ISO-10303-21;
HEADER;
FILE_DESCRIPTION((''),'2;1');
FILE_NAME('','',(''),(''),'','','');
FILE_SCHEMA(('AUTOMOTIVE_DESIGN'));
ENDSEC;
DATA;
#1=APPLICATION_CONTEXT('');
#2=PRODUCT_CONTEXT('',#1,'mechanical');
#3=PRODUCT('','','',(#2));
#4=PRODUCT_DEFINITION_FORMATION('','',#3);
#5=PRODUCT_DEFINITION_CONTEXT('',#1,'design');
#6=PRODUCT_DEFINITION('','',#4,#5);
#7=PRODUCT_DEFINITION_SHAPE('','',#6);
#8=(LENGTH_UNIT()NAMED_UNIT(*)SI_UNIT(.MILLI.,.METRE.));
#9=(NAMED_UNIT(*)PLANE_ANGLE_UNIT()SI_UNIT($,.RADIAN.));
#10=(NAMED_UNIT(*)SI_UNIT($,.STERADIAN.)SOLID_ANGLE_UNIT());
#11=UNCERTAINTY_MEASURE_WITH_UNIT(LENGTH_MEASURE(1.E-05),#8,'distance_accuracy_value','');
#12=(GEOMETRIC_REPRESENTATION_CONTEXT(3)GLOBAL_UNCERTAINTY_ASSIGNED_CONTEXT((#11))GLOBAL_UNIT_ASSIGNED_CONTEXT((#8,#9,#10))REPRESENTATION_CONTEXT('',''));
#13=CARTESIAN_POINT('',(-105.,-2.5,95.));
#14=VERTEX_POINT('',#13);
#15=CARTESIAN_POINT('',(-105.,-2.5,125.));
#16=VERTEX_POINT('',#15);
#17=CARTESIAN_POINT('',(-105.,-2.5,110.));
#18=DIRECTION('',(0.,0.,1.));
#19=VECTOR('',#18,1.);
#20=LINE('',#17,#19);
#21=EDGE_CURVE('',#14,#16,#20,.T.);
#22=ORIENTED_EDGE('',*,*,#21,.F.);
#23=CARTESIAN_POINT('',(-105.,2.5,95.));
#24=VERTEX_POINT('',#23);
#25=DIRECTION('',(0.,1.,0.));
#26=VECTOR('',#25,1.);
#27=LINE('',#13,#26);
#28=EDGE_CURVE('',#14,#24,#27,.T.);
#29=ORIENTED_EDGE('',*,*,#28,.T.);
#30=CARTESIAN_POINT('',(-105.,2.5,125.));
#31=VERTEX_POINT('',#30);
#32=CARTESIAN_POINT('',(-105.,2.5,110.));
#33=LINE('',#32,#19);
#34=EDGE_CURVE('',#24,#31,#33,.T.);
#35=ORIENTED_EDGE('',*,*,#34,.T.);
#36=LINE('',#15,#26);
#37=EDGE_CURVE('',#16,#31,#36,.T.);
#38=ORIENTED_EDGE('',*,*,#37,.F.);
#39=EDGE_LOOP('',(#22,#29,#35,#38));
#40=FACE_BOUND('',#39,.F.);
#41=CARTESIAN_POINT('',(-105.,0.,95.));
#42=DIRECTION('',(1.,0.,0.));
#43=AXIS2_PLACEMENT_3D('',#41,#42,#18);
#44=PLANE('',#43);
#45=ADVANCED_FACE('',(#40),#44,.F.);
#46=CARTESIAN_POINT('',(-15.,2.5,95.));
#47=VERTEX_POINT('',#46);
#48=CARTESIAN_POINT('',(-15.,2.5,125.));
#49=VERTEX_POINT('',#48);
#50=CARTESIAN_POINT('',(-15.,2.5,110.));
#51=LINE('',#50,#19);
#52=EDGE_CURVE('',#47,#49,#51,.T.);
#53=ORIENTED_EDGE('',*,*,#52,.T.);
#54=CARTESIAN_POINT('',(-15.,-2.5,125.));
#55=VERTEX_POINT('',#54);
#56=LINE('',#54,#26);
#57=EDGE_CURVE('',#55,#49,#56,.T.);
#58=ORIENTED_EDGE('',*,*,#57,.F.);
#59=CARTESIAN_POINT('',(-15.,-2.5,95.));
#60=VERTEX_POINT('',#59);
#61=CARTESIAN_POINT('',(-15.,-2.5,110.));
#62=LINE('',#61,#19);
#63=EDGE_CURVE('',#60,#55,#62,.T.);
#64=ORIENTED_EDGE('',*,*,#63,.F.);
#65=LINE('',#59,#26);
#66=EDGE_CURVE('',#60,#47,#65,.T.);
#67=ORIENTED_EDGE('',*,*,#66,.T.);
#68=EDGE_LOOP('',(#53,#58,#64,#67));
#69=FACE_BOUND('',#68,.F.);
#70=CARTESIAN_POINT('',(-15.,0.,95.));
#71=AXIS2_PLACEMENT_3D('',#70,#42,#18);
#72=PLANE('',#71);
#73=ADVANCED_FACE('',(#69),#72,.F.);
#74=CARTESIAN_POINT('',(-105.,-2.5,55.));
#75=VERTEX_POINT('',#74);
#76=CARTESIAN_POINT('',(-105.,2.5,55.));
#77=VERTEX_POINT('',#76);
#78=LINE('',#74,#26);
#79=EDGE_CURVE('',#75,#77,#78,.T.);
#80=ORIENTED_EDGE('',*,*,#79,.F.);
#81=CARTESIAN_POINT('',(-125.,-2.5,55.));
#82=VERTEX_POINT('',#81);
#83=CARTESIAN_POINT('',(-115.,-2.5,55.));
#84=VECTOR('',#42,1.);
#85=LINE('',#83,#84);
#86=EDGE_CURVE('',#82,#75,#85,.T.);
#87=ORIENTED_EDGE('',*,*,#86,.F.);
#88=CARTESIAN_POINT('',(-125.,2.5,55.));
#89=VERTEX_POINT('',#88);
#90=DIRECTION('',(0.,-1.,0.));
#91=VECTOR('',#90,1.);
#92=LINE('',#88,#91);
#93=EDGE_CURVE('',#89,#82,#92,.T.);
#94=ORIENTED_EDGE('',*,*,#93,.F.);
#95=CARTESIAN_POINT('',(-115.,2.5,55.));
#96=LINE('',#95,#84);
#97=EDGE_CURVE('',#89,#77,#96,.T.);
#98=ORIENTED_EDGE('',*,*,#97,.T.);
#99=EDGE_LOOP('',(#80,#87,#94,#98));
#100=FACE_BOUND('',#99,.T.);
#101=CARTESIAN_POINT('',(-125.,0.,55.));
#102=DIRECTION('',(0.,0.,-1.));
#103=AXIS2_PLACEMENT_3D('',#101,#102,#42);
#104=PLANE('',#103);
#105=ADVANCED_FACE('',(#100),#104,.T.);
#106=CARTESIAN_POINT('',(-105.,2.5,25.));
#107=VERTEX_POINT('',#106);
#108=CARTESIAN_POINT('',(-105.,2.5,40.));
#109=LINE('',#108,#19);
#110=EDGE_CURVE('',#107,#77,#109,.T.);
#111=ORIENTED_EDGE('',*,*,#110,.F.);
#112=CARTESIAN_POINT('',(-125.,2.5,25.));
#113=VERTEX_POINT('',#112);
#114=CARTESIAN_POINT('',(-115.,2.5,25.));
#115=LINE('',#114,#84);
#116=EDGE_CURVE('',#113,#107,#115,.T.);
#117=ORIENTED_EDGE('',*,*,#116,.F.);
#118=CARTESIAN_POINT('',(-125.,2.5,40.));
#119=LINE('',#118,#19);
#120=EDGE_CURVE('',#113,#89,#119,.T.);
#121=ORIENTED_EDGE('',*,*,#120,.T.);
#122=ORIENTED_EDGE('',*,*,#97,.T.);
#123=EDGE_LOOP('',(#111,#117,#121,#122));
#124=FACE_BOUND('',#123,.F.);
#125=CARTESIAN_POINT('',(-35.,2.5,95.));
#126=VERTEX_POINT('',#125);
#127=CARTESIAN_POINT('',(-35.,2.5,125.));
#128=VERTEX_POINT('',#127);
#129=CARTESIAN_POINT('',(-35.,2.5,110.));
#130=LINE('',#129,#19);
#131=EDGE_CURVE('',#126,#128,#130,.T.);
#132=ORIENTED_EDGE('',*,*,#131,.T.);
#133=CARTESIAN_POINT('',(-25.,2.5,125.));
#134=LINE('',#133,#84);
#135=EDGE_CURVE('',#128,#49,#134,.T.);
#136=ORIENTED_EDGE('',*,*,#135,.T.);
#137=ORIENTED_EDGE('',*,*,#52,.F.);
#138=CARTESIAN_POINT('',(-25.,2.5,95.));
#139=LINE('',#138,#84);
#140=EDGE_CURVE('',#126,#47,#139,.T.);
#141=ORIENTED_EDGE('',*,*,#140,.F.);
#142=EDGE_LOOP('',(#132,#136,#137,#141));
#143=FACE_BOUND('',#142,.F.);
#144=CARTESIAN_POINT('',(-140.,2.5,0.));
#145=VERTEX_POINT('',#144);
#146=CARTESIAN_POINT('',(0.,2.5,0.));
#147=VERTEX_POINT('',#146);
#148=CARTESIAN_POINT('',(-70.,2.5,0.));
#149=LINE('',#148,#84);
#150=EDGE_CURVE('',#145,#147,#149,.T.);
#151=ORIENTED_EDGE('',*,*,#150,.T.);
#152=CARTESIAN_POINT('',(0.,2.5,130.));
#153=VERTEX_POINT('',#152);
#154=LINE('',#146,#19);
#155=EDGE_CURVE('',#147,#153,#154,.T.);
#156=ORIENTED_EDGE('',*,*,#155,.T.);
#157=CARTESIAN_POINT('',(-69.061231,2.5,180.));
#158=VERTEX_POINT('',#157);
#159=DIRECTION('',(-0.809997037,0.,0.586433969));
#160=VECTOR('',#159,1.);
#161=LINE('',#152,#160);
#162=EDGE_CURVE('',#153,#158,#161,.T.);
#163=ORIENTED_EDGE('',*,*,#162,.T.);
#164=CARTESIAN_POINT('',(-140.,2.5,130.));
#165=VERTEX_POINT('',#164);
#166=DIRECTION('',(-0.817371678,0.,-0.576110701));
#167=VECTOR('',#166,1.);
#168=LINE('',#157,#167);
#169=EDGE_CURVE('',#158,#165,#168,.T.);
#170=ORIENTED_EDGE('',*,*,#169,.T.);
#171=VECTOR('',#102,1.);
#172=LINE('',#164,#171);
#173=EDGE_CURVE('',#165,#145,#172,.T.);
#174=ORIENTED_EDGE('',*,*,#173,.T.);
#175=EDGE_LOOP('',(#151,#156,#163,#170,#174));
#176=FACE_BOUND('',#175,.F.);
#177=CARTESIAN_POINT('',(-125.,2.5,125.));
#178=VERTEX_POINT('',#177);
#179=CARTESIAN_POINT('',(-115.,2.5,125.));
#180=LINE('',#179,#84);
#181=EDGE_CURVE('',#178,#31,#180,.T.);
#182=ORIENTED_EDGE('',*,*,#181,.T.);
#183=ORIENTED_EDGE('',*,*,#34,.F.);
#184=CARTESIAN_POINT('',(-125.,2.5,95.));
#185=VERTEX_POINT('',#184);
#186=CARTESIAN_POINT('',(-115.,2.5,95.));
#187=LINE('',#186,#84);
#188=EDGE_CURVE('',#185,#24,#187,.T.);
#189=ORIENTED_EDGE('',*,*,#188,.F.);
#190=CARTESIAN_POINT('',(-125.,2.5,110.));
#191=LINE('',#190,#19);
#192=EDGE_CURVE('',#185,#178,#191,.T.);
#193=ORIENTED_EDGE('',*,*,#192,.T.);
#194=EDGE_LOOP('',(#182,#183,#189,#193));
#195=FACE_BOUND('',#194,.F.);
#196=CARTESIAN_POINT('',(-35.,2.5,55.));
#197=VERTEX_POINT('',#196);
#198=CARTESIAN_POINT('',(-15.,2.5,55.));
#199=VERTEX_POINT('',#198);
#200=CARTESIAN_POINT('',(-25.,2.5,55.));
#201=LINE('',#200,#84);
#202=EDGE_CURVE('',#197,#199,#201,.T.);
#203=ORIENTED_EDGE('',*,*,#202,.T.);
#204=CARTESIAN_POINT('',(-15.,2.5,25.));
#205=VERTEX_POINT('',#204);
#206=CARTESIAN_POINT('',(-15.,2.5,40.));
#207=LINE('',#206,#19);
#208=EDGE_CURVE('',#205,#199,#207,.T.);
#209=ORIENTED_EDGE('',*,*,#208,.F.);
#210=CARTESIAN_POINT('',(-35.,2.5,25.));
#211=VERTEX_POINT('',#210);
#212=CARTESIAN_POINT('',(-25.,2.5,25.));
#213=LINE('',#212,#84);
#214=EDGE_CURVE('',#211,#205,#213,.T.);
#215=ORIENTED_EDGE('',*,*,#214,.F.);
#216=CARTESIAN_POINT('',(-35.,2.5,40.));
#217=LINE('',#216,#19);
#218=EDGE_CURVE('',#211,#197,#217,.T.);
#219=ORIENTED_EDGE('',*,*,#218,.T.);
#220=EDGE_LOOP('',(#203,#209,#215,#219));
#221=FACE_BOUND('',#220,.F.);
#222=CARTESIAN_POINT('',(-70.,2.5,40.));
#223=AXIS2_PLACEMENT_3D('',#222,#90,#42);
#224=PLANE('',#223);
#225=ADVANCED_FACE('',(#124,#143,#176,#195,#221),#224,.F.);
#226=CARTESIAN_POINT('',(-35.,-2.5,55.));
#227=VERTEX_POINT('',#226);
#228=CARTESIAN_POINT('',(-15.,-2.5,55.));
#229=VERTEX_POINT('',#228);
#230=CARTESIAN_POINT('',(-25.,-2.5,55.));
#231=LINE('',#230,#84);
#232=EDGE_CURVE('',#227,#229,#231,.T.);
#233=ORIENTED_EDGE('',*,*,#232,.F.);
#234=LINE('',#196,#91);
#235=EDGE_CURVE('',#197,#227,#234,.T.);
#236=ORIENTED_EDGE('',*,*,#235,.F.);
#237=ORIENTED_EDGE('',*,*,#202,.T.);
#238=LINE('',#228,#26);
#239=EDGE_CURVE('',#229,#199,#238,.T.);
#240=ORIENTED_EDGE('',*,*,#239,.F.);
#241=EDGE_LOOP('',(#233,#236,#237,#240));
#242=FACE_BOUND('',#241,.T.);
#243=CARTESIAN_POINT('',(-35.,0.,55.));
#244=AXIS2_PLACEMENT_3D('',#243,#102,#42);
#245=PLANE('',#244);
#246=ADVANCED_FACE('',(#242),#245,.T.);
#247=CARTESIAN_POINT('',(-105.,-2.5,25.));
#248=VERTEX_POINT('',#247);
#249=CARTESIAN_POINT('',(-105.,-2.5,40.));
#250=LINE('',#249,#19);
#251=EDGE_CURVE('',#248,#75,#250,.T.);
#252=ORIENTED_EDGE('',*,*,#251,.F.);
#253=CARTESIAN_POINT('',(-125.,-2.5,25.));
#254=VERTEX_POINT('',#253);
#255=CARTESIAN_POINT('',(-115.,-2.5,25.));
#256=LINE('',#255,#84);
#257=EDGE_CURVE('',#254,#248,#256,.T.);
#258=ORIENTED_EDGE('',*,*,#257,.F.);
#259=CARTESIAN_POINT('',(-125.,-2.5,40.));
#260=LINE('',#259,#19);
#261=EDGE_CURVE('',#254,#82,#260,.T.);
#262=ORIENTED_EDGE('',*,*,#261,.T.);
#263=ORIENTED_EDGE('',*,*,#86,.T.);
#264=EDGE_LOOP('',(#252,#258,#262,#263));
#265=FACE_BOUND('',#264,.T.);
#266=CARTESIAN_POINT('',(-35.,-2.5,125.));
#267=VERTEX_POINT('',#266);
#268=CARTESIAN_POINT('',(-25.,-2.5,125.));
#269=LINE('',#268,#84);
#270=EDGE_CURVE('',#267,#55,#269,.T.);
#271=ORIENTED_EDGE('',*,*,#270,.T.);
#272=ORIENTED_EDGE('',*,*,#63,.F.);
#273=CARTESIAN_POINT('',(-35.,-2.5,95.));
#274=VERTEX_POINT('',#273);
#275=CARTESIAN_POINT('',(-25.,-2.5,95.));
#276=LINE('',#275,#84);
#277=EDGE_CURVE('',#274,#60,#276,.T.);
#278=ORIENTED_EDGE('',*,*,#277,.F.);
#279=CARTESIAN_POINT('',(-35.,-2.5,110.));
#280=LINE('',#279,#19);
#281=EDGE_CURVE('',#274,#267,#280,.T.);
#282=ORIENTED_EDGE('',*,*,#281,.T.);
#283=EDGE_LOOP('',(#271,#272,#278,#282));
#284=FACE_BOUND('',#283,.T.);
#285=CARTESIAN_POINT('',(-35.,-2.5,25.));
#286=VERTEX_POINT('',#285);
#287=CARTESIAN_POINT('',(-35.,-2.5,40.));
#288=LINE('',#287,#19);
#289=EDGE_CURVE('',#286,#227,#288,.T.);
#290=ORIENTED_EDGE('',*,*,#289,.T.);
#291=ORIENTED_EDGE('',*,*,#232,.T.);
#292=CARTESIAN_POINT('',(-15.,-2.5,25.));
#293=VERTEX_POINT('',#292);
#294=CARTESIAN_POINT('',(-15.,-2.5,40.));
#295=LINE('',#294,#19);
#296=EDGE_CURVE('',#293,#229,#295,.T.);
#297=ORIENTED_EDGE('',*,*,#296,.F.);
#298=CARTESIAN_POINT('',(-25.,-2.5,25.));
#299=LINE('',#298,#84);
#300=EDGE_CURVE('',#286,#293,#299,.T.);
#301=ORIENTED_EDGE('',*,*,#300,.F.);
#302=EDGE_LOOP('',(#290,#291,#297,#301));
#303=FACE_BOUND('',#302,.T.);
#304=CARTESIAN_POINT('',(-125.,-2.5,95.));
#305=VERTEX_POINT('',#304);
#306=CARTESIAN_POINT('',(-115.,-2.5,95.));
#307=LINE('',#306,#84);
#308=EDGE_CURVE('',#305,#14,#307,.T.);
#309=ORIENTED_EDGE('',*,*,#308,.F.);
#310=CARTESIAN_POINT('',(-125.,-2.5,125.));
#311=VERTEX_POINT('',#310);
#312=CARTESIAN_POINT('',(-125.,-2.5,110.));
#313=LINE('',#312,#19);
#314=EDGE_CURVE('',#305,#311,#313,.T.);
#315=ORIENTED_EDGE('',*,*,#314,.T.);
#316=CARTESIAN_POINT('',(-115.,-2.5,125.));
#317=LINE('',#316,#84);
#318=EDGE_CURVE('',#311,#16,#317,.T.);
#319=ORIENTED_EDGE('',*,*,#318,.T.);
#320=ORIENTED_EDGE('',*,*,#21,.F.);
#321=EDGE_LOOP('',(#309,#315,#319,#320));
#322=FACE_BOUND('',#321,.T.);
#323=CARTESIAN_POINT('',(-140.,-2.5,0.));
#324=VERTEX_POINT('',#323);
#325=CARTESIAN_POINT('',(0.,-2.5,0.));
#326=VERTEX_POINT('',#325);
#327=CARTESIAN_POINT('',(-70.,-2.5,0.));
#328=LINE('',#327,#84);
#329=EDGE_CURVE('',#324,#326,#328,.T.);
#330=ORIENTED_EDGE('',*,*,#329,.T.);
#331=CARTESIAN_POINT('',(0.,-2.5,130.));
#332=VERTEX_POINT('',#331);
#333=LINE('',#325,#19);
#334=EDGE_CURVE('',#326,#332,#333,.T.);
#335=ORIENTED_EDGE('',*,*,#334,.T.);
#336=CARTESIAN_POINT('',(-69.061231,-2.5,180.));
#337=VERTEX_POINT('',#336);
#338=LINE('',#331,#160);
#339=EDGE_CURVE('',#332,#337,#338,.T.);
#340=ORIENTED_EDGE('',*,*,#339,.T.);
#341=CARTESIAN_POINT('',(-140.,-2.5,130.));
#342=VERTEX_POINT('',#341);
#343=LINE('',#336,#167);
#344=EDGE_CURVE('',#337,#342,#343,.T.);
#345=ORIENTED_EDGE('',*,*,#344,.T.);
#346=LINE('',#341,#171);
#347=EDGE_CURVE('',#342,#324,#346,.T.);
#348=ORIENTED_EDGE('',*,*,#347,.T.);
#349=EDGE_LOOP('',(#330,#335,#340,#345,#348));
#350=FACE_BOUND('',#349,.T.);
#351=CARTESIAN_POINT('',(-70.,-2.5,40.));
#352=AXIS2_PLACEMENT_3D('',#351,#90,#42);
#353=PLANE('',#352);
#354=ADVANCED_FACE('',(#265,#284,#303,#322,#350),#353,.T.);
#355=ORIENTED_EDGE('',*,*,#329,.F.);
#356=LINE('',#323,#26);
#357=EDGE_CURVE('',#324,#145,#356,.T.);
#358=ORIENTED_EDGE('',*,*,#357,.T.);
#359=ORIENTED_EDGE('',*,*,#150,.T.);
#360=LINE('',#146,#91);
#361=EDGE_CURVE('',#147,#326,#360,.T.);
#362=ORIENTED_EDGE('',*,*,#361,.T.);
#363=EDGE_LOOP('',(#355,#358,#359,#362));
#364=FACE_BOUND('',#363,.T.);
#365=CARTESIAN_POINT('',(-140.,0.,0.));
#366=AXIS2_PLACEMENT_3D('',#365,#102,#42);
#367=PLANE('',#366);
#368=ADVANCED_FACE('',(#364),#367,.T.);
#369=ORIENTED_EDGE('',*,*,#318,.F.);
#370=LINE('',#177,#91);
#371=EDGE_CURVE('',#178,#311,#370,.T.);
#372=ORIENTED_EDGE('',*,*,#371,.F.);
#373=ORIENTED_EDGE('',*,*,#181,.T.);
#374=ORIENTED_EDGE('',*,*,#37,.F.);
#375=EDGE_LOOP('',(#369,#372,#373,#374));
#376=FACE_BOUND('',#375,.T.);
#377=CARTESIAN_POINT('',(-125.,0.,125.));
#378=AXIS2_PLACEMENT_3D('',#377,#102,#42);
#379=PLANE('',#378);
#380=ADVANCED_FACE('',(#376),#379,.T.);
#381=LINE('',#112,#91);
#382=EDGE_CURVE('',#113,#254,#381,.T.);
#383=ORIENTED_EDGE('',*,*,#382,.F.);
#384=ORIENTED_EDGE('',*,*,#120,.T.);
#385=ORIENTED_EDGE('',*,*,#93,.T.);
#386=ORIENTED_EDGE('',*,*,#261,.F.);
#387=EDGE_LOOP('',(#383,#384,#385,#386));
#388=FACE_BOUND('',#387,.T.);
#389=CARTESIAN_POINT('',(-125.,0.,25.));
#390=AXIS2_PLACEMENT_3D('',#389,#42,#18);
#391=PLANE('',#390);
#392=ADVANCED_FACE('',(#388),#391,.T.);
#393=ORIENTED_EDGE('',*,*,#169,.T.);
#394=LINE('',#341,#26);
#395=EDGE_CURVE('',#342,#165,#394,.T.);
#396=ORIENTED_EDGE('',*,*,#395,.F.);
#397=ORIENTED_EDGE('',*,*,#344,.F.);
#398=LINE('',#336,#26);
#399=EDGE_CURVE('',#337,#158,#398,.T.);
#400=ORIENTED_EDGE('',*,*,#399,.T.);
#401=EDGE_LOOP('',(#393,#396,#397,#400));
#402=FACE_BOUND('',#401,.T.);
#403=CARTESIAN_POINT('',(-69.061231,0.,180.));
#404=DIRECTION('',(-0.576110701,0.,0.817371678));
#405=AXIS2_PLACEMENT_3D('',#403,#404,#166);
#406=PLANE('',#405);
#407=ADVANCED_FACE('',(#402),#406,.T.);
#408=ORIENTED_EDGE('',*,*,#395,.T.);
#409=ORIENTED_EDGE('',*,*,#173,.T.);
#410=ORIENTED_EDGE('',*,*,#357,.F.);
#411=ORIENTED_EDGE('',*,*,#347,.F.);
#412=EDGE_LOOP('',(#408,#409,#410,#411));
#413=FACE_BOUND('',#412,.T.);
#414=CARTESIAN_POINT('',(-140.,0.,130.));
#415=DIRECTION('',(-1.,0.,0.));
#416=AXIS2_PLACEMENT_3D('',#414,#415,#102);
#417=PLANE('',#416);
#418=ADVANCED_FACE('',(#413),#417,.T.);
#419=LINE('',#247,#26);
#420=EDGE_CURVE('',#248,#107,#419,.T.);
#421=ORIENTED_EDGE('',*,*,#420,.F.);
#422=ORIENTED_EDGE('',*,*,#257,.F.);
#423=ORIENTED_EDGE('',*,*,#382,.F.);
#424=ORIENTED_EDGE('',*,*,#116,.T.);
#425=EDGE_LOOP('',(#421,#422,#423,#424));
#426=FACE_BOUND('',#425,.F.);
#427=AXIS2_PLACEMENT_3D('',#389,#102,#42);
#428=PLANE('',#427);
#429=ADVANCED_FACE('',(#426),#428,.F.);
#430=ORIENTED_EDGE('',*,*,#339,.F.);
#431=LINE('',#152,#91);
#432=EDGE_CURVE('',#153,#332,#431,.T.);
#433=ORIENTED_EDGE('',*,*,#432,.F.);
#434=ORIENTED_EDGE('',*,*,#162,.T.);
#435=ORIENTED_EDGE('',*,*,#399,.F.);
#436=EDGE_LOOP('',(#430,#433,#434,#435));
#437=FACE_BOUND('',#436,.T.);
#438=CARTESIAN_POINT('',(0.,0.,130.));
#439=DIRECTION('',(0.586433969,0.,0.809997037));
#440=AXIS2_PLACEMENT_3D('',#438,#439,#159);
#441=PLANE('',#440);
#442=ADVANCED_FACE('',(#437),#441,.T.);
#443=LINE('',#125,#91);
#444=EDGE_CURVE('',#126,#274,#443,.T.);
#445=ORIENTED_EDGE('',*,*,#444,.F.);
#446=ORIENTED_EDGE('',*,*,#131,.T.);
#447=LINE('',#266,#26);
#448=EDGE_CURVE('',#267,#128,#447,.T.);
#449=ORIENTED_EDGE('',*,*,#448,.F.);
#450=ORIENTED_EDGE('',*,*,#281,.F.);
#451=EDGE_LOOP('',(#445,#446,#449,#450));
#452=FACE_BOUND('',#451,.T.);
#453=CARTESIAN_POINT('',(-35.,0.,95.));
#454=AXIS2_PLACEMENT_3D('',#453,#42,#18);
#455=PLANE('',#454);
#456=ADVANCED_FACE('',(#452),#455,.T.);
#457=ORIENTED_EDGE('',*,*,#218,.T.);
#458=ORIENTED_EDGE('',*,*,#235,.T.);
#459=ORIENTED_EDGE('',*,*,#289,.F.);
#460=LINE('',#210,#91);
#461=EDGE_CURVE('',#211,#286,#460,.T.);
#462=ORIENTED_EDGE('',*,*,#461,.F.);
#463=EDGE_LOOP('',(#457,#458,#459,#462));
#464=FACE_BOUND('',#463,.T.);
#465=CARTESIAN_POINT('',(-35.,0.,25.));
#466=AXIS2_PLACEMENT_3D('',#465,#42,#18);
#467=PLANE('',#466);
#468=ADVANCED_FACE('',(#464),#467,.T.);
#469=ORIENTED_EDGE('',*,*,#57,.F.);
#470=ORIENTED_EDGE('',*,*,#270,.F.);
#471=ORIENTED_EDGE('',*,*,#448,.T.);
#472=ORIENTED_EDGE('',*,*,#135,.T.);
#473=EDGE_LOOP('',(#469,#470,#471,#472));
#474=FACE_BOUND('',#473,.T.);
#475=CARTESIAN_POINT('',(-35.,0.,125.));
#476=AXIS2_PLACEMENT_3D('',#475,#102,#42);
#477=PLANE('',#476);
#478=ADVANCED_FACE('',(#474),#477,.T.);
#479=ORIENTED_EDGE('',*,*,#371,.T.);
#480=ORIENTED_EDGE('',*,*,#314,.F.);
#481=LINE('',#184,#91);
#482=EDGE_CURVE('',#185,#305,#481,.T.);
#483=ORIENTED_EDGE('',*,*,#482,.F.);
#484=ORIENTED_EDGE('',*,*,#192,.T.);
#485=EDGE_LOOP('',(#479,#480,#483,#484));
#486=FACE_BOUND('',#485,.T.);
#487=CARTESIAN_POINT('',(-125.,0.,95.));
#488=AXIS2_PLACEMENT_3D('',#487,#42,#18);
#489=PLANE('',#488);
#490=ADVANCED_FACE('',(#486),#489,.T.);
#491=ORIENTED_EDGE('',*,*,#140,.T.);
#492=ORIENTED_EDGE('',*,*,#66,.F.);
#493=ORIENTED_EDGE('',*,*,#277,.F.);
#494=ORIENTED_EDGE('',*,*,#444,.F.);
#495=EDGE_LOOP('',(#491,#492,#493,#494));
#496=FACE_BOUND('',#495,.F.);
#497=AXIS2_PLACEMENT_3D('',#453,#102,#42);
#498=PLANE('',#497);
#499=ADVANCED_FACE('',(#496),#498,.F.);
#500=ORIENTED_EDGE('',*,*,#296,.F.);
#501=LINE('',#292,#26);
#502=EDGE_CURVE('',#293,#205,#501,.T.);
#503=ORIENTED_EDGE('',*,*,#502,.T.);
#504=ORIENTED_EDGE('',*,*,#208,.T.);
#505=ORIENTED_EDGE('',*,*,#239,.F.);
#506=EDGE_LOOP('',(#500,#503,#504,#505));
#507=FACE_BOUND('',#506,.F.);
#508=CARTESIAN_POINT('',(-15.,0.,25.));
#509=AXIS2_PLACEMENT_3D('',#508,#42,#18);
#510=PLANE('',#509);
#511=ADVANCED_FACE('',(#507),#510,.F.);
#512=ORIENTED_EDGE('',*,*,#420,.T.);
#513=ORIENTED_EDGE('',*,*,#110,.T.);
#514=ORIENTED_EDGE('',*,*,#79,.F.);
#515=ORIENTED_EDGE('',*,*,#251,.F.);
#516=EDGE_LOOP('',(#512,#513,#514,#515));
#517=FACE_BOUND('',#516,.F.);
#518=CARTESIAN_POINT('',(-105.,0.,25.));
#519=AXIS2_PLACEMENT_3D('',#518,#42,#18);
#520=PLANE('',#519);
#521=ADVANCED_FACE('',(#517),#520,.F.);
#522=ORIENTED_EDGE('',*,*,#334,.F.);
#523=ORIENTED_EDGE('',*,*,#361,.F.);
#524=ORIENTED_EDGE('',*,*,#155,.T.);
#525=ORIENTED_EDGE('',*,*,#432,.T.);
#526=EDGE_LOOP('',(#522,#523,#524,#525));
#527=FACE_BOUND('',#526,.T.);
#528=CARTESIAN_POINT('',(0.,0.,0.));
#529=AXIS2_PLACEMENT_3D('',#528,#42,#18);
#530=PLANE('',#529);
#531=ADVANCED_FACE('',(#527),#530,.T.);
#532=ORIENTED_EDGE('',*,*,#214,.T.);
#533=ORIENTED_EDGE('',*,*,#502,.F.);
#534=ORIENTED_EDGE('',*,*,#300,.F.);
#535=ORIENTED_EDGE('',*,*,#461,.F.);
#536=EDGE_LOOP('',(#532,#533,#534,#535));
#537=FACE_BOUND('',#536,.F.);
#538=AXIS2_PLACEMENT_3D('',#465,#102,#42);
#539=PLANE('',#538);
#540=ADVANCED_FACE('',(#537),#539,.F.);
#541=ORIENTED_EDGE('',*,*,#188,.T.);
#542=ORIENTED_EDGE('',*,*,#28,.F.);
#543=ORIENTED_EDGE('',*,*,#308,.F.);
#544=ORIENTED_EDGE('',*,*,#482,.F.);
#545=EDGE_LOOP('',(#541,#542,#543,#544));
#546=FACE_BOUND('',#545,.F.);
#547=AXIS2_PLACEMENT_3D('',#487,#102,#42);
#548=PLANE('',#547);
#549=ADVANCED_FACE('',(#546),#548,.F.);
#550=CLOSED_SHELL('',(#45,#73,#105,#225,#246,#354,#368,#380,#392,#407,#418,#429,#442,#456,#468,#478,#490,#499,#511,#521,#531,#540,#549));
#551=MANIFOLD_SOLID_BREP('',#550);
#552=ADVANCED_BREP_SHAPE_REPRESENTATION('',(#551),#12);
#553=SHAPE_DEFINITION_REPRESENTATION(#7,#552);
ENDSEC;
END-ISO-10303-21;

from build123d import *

# Parameters (mm, degrees)
F0_W     = 140
F0_H     = 80
F0_W_2   = 20
F0_H_2   = 30
F1_DEPTH = 2.5


with BuildPart() as f1:
    # F0 (on Front) → F1 (new body, symmetric)
    with BuildSketch(Plane.XZ):
        with Locations((-70, 40)):
            Rectangle(F0_W, F0_H)
        with Locations((-115, 40)):
            Rectangle(F0_W_2, F0_H_2, mode=Mode.SUBTRACT)
        with Locations((-25, 40)):
            Rectangle(F0_W_2, F0_H_2, mode=Mode.SUBTRACT)
        Polygon((-140, 80), (0, 80), (0, 130), (-69.061231, 180), (-140, 130), align=None)
        with Locations((-115, 110)):
            Rectangle(F0_W_2, F0_H_2, mode=Mode.SUBTRACT)
        with Locations((-25, 110)):
            Rectangle(F0_W_2, F0_H_2, mode=Mode.SUBTRACT)
    extrude(amount=F1_DEPTH, both=True)


solid = f1.part
